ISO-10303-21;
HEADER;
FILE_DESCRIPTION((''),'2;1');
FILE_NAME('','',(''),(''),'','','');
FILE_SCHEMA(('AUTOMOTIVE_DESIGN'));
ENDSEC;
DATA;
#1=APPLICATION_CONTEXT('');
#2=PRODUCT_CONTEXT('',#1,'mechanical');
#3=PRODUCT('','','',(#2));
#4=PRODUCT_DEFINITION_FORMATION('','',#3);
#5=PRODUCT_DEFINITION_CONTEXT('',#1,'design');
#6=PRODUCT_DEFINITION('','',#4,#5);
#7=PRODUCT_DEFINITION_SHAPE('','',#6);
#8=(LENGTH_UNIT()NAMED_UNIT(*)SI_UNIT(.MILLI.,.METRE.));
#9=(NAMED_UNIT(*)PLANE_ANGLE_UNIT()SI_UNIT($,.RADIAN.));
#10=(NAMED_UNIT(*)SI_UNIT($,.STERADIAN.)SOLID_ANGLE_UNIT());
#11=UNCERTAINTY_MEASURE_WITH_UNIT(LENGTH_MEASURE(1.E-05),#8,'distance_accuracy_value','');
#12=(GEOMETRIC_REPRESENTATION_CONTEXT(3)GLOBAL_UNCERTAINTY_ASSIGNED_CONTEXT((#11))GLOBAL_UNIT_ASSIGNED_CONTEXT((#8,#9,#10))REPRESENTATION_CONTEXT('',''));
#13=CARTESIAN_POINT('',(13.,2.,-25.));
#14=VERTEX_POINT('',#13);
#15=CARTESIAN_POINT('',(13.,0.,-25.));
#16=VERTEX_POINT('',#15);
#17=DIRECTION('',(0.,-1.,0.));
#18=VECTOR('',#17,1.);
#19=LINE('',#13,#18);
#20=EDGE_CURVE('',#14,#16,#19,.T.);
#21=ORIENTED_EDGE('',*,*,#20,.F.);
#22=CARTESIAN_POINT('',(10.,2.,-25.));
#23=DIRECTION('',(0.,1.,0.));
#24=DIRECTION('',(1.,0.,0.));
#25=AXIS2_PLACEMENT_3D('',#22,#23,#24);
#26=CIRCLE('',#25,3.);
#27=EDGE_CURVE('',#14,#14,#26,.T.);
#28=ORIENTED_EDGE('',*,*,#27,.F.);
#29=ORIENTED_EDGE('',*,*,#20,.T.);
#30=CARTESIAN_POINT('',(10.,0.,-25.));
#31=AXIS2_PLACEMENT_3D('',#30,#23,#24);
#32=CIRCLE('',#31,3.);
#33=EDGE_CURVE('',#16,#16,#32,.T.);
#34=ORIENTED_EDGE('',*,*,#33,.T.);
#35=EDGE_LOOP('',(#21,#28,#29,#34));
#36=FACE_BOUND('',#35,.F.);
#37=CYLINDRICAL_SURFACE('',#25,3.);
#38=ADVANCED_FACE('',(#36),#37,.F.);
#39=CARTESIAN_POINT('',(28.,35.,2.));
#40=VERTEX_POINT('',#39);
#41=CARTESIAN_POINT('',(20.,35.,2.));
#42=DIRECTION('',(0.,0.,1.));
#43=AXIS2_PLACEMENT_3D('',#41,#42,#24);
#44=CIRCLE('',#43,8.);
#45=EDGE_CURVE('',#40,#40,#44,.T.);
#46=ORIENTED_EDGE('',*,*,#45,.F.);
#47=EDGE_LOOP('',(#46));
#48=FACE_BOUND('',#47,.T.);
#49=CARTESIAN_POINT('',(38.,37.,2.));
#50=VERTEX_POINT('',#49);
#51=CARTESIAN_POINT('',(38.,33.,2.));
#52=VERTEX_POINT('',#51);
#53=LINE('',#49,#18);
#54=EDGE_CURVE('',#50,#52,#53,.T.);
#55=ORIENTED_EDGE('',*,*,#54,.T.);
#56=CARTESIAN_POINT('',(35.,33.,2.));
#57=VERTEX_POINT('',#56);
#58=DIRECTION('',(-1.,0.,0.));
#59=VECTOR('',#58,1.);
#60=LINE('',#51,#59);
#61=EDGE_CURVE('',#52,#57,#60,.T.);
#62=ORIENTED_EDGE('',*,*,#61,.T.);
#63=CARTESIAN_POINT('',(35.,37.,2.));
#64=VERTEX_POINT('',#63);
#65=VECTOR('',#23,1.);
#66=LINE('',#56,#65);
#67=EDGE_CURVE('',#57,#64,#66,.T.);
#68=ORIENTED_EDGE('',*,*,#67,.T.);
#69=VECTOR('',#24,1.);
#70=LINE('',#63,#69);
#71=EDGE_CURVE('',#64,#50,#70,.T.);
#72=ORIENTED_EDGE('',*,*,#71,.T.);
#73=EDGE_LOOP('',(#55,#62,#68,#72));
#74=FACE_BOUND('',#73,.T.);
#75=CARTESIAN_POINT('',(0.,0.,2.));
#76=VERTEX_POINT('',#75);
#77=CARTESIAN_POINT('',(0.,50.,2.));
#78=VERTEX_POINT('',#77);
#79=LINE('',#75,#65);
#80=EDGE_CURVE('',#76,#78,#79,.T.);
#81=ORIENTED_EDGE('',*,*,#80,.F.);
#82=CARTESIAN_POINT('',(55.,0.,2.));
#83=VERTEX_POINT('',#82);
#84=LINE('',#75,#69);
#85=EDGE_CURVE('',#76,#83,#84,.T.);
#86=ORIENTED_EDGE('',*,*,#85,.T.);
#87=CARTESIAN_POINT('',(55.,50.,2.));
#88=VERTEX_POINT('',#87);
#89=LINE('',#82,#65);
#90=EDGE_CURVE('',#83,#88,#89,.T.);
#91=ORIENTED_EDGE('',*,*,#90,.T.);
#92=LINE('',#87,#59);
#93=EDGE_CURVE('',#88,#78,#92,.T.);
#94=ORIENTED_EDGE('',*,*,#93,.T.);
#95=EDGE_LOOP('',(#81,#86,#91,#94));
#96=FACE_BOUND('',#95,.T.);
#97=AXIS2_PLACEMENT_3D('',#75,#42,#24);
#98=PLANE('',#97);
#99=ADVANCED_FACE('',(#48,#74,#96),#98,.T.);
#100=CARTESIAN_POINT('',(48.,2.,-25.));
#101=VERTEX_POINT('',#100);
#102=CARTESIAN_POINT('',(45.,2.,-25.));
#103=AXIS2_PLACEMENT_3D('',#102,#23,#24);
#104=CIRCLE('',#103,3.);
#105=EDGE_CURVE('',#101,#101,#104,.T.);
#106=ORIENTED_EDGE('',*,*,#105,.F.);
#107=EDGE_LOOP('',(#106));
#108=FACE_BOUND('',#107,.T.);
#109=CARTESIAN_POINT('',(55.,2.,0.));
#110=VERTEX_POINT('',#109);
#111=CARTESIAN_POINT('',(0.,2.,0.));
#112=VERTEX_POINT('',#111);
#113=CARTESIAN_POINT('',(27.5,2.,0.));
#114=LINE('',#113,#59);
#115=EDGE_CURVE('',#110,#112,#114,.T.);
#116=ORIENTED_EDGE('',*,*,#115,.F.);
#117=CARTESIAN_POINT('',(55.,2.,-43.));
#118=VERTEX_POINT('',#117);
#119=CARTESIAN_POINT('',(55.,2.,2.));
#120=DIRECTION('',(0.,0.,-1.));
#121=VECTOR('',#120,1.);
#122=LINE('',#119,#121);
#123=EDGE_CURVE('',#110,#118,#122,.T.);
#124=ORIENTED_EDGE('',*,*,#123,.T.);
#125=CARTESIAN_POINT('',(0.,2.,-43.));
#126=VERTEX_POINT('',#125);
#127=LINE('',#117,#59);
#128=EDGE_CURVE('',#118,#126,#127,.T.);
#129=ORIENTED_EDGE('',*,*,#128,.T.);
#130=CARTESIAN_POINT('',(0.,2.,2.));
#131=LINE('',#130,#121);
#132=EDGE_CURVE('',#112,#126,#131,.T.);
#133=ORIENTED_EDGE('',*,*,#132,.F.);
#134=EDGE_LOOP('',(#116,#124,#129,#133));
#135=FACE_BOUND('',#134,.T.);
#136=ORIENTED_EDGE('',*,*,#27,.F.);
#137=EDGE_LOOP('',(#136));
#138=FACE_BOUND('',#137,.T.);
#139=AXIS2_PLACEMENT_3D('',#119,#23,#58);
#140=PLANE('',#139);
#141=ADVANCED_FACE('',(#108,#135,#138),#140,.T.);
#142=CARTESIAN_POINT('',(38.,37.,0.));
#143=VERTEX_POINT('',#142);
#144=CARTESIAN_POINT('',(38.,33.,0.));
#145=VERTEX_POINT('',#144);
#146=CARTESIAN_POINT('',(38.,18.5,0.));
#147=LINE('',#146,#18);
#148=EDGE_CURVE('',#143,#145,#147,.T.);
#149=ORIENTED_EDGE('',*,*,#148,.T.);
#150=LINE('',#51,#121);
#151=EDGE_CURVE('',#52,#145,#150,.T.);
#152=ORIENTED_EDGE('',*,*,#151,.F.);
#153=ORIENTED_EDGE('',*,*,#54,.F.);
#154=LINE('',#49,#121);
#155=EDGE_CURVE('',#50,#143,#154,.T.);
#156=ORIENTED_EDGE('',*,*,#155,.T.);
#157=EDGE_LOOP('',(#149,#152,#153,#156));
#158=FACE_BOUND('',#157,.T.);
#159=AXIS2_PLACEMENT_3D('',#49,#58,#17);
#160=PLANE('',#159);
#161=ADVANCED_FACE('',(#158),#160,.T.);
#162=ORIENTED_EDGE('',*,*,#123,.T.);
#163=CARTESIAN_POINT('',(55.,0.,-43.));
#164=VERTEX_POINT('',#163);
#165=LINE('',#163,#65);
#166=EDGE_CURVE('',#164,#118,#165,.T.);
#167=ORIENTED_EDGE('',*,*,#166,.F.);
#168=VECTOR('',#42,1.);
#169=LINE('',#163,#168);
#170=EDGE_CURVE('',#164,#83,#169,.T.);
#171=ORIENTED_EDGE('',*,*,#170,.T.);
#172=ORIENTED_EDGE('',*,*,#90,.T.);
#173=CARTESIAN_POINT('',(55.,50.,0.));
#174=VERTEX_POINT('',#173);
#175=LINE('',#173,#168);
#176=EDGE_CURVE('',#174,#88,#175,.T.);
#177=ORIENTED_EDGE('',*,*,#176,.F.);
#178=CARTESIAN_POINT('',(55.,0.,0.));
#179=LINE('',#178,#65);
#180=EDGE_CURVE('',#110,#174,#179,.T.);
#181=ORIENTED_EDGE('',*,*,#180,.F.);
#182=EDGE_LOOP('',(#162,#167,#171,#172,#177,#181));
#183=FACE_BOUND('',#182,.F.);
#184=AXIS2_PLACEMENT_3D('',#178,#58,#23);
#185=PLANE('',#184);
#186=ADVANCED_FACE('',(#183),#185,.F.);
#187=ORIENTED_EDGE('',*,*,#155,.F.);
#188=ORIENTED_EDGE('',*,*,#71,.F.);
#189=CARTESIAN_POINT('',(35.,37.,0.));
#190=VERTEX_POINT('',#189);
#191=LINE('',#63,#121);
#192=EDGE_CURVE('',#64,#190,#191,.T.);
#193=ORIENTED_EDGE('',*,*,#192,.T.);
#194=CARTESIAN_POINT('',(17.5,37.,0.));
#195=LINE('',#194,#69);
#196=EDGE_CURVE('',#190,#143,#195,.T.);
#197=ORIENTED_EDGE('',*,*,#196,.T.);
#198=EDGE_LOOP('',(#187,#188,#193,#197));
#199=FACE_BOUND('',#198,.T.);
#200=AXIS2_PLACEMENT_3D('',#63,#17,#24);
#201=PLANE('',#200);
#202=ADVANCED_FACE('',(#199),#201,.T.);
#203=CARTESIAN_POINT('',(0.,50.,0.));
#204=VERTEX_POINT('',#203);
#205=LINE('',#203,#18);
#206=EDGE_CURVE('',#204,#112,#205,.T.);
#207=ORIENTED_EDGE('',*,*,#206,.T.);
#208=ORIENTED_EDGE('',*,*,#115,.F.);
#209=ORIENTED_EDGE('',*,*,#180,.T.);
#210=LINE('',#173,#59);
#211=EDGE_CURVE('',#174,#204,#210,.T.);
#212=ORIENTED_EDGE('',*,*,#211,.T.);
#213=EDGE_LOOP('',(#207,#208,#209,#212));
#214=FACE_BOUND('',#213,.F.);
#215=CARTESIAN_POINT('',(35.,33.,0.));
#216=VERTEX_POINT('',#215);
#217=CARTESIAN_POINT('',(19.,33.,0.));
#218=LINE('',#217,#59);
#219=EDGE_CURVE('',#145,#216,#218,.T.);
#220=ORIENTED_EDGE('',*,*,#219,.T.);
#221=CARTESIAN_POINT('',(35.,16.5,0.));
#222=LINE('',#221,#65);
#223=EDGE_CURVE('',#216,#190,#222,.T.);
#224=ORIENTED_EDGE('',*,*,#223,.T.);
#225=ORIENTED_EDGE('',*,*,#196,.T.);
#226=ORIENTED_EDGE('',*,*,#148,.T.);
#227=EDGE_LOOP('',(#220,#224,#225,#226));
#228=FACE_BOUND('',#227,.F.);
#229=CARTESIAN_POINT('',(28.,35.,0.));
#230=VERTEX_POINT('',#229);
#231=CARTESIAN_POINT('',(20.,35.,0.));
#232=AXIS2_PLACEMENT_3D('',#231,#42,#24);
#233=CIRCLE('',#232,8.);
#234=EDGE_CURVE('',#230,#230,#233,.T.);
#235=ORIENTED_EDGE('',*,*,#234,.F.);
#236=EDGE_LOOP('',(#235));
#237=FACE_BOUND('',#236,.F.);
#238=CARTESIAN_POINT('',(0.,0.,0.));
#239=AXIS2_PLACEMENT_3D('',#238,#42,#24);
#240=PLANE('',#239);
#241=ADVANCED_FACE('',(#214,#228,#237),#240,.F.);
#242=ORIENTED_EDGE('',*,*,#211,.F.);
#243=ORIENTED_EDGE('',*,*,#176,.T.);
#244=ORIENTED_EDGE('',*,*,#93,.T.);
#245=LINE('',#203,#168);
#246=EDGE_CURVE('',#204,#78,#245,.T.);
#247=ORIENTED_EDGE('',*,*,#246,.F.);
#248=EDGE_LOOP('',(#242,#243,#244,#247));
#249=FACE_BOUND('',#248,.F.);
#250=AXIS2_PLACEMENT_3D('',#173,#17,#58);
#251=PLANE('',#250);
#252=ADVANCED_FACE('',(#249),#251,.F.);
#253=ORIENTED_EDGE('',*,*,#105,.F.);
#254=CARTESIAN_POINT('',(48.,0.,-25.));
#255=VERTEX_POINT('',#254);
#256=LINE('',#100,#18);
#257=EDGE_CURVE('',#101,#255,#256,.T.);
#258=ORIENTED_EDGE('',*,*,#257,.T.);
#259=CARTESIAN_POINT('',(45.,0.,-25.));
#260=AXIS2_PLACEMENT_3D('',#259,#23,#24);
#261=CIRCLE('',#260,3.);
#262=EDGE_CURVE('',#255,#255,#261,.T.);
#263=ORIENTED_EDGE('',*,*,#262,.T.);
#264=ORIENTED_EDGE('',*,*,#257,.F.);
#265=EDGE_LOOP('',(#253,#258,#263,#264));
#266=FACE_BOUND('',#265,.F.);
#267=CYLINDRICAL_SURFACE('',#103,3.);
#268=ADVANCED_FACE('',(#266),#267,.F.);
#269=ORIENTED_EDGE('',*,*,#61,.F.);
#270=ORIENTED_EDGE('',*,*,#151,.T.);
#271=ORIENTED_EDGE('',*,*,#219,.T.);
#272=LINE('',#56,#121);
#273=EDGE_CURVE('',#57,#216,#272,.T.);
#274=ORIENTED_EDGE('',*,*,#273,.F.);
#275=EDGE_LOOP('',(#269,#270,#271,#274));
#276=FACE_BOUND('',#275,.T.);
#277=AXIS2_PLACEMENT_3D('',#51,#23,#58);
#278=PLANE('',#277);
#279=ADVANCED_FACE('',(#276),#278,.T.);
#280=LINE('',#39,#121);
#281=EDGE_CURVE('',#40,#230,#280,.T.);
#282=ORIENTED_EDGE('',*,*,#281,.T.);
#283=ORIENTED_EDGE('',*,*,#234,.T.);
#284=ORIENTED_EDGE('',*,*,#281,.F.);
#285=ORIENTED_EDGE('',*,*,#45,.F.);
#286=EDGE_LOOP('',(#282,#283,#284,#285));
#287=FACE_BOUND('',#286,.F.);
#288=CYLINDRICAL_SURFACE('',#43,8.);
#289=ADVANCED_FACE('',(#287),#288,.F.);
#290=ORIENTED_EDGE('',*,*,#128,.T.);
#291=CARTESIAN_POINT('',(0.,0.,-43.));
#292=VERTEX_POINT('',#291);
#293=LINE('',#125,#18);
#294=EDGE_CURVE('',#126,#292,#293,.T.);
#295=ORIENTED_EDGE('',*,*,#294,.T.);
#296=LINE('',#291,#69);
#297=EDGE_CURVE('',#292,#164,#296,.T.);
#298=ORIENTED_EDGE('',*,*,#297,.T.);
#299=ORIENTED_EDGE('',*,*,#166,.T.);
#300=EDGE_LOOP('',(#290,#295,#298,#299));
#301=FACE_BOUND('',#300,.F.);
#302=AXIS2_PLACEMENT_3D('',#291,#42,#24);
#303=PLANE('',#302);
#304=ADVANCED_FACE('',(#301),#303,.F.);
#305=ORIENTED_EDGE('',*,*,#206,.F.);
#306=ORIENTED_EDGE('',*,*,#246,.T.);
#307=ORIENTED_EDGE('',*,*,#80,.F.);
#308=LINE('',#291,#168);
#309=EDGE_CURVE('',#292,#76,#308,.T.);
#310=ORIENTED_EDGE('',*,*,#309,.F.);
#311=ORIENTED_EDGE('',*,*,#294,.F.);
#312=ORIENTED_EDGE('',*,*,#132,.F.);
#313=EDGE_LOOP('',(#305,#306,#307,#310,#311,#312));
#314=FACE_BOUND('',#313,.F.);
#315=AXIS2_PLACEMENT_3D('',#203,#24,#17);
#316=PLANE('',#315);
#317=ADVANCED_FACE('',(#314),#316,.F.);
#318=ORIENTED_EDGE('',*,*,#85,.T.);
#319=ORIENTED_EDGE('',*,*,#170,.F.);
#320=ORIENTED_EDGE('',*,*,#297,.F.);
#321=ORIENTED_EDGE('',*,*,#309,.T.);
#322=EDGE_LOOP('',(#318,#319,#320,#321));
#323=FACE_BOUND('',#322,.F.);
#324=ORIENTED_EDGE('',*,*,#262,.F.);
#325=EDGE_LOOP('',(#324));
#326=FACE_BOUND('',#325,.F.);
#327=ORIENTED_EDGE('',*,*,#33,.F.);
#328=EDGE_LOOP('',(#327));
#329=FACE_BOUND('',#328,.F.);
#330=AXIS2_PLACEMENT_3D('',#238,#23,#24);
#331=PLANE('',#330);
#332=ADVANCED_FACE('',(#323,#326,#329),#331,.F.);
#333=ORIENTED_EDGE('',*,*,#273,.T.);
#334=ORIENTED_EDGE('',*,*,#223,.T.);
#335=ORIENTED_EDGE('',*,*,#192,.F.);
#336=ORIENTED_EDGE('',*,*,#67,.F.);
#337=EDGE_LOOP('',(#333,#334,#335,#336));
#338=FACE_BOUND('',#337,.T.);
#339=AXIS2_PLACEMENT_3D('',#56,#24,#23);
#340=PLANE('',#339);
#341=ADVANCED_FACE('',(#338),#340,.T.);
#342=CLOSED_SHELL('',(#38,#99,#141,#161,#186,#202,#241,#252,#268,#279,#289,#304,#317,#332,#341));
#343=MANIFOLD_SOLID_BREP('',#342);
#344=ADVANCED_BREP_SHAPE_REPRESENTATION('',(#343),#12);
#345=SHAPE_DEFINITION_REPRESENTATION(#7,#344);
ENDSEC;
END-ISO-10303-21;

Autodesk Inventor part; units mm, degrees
ref_plane "YZ Plane" through (0, 0, 0) normal (1, 0, 0) x (0, 1, 0)
ref_plane "XZ Plane" through (0, 0, 0) normal (0, 1, 0) x (-1, 0, 0)
ref_plane "XY Plane" through (0, 0, 0) normal (0, 0, 1) x (1, 0, 0)
sketch "Sketch1" plane through (0, 0, 0) normal (0, 0, 1) x (1, 0, 0)
  line L0 (0, 0) -> (55, 0)
  line L1 (55, 0) -> (55, 50)
  line L2 (55, 50) -> (0, 50)
  line L3 (0, 50) -> (0, 0)
  dimension "d3" = 55
  dimension "d4" = 50
extrude "Extrusion1" add sketch "Sketch1" along normal blind 2
sketch "Sketch2" plane through (0, 0, 2) normal (0, 0, 1) x (1, 0, 0)
  circle A0 centre (20, 35) radius 8
  line L0 (0, 0) -> (55, 0) projected
  line L1 (0, 50) -> (0, 0) projected
  line L2 (35, 37) -> (38, 37)
  line L3 (38, 37) -> (38, 33)
  line L4 (38, 33) -> (35, 33)
  line L5 (35, 33) -> (35, 37)
  dimension "d2" = 16
  dimension "d5" = 35
  dimension "d6" = 20
  dimension "d7" = 15
  dimension "d8" = 4
  dimension "d9" = 3
  dimension "d10" = 2
extrude "Extrusion2" cut sketch "Sketch2" against normal through all
sketch "Sketch4" plane through (0, 0, 2) normal (0, 0, 1) x (1, 0, 0)
  line L0 (0, 2) -> (0, 0)
  line L1 (0, 0) -> (55, 0)
  line L2 (55, 0) -> (55, 2)
  line L3 (55, 2) -> (0, 2)
  line L4 (0, 2) -> (0, 0)
  dimension "d26" = 2
  dimension "d27" = 55
extrude "Extrusion3" add sketch "Sketch4" against normal blind 45
sketch "Sketch6" plane through (0, 2, 0) normal (0, 1, 0) x (1, 0, 0)
  circle A0 centre (10, 25) radius 3
  circle A1 centre (45, 25) radius 3
  line L0 (0, 0) -> (0, 43) projected
  line L1 (55, 0) -> (55, 43) projected
  line L2 (0, 43) -> (55, 43) projected
  dimension "d28" = 6
  dimension "d29" = 6
  dimension "d30" = 10
  dimension "d31" = 10
  dimension "d32" = 18
  dimension "d33" = 18
extrude "Extrusion5" cut sketch "Sketch6" against normal through all
properties part number "POT mount" material "Nylon 6/6"
